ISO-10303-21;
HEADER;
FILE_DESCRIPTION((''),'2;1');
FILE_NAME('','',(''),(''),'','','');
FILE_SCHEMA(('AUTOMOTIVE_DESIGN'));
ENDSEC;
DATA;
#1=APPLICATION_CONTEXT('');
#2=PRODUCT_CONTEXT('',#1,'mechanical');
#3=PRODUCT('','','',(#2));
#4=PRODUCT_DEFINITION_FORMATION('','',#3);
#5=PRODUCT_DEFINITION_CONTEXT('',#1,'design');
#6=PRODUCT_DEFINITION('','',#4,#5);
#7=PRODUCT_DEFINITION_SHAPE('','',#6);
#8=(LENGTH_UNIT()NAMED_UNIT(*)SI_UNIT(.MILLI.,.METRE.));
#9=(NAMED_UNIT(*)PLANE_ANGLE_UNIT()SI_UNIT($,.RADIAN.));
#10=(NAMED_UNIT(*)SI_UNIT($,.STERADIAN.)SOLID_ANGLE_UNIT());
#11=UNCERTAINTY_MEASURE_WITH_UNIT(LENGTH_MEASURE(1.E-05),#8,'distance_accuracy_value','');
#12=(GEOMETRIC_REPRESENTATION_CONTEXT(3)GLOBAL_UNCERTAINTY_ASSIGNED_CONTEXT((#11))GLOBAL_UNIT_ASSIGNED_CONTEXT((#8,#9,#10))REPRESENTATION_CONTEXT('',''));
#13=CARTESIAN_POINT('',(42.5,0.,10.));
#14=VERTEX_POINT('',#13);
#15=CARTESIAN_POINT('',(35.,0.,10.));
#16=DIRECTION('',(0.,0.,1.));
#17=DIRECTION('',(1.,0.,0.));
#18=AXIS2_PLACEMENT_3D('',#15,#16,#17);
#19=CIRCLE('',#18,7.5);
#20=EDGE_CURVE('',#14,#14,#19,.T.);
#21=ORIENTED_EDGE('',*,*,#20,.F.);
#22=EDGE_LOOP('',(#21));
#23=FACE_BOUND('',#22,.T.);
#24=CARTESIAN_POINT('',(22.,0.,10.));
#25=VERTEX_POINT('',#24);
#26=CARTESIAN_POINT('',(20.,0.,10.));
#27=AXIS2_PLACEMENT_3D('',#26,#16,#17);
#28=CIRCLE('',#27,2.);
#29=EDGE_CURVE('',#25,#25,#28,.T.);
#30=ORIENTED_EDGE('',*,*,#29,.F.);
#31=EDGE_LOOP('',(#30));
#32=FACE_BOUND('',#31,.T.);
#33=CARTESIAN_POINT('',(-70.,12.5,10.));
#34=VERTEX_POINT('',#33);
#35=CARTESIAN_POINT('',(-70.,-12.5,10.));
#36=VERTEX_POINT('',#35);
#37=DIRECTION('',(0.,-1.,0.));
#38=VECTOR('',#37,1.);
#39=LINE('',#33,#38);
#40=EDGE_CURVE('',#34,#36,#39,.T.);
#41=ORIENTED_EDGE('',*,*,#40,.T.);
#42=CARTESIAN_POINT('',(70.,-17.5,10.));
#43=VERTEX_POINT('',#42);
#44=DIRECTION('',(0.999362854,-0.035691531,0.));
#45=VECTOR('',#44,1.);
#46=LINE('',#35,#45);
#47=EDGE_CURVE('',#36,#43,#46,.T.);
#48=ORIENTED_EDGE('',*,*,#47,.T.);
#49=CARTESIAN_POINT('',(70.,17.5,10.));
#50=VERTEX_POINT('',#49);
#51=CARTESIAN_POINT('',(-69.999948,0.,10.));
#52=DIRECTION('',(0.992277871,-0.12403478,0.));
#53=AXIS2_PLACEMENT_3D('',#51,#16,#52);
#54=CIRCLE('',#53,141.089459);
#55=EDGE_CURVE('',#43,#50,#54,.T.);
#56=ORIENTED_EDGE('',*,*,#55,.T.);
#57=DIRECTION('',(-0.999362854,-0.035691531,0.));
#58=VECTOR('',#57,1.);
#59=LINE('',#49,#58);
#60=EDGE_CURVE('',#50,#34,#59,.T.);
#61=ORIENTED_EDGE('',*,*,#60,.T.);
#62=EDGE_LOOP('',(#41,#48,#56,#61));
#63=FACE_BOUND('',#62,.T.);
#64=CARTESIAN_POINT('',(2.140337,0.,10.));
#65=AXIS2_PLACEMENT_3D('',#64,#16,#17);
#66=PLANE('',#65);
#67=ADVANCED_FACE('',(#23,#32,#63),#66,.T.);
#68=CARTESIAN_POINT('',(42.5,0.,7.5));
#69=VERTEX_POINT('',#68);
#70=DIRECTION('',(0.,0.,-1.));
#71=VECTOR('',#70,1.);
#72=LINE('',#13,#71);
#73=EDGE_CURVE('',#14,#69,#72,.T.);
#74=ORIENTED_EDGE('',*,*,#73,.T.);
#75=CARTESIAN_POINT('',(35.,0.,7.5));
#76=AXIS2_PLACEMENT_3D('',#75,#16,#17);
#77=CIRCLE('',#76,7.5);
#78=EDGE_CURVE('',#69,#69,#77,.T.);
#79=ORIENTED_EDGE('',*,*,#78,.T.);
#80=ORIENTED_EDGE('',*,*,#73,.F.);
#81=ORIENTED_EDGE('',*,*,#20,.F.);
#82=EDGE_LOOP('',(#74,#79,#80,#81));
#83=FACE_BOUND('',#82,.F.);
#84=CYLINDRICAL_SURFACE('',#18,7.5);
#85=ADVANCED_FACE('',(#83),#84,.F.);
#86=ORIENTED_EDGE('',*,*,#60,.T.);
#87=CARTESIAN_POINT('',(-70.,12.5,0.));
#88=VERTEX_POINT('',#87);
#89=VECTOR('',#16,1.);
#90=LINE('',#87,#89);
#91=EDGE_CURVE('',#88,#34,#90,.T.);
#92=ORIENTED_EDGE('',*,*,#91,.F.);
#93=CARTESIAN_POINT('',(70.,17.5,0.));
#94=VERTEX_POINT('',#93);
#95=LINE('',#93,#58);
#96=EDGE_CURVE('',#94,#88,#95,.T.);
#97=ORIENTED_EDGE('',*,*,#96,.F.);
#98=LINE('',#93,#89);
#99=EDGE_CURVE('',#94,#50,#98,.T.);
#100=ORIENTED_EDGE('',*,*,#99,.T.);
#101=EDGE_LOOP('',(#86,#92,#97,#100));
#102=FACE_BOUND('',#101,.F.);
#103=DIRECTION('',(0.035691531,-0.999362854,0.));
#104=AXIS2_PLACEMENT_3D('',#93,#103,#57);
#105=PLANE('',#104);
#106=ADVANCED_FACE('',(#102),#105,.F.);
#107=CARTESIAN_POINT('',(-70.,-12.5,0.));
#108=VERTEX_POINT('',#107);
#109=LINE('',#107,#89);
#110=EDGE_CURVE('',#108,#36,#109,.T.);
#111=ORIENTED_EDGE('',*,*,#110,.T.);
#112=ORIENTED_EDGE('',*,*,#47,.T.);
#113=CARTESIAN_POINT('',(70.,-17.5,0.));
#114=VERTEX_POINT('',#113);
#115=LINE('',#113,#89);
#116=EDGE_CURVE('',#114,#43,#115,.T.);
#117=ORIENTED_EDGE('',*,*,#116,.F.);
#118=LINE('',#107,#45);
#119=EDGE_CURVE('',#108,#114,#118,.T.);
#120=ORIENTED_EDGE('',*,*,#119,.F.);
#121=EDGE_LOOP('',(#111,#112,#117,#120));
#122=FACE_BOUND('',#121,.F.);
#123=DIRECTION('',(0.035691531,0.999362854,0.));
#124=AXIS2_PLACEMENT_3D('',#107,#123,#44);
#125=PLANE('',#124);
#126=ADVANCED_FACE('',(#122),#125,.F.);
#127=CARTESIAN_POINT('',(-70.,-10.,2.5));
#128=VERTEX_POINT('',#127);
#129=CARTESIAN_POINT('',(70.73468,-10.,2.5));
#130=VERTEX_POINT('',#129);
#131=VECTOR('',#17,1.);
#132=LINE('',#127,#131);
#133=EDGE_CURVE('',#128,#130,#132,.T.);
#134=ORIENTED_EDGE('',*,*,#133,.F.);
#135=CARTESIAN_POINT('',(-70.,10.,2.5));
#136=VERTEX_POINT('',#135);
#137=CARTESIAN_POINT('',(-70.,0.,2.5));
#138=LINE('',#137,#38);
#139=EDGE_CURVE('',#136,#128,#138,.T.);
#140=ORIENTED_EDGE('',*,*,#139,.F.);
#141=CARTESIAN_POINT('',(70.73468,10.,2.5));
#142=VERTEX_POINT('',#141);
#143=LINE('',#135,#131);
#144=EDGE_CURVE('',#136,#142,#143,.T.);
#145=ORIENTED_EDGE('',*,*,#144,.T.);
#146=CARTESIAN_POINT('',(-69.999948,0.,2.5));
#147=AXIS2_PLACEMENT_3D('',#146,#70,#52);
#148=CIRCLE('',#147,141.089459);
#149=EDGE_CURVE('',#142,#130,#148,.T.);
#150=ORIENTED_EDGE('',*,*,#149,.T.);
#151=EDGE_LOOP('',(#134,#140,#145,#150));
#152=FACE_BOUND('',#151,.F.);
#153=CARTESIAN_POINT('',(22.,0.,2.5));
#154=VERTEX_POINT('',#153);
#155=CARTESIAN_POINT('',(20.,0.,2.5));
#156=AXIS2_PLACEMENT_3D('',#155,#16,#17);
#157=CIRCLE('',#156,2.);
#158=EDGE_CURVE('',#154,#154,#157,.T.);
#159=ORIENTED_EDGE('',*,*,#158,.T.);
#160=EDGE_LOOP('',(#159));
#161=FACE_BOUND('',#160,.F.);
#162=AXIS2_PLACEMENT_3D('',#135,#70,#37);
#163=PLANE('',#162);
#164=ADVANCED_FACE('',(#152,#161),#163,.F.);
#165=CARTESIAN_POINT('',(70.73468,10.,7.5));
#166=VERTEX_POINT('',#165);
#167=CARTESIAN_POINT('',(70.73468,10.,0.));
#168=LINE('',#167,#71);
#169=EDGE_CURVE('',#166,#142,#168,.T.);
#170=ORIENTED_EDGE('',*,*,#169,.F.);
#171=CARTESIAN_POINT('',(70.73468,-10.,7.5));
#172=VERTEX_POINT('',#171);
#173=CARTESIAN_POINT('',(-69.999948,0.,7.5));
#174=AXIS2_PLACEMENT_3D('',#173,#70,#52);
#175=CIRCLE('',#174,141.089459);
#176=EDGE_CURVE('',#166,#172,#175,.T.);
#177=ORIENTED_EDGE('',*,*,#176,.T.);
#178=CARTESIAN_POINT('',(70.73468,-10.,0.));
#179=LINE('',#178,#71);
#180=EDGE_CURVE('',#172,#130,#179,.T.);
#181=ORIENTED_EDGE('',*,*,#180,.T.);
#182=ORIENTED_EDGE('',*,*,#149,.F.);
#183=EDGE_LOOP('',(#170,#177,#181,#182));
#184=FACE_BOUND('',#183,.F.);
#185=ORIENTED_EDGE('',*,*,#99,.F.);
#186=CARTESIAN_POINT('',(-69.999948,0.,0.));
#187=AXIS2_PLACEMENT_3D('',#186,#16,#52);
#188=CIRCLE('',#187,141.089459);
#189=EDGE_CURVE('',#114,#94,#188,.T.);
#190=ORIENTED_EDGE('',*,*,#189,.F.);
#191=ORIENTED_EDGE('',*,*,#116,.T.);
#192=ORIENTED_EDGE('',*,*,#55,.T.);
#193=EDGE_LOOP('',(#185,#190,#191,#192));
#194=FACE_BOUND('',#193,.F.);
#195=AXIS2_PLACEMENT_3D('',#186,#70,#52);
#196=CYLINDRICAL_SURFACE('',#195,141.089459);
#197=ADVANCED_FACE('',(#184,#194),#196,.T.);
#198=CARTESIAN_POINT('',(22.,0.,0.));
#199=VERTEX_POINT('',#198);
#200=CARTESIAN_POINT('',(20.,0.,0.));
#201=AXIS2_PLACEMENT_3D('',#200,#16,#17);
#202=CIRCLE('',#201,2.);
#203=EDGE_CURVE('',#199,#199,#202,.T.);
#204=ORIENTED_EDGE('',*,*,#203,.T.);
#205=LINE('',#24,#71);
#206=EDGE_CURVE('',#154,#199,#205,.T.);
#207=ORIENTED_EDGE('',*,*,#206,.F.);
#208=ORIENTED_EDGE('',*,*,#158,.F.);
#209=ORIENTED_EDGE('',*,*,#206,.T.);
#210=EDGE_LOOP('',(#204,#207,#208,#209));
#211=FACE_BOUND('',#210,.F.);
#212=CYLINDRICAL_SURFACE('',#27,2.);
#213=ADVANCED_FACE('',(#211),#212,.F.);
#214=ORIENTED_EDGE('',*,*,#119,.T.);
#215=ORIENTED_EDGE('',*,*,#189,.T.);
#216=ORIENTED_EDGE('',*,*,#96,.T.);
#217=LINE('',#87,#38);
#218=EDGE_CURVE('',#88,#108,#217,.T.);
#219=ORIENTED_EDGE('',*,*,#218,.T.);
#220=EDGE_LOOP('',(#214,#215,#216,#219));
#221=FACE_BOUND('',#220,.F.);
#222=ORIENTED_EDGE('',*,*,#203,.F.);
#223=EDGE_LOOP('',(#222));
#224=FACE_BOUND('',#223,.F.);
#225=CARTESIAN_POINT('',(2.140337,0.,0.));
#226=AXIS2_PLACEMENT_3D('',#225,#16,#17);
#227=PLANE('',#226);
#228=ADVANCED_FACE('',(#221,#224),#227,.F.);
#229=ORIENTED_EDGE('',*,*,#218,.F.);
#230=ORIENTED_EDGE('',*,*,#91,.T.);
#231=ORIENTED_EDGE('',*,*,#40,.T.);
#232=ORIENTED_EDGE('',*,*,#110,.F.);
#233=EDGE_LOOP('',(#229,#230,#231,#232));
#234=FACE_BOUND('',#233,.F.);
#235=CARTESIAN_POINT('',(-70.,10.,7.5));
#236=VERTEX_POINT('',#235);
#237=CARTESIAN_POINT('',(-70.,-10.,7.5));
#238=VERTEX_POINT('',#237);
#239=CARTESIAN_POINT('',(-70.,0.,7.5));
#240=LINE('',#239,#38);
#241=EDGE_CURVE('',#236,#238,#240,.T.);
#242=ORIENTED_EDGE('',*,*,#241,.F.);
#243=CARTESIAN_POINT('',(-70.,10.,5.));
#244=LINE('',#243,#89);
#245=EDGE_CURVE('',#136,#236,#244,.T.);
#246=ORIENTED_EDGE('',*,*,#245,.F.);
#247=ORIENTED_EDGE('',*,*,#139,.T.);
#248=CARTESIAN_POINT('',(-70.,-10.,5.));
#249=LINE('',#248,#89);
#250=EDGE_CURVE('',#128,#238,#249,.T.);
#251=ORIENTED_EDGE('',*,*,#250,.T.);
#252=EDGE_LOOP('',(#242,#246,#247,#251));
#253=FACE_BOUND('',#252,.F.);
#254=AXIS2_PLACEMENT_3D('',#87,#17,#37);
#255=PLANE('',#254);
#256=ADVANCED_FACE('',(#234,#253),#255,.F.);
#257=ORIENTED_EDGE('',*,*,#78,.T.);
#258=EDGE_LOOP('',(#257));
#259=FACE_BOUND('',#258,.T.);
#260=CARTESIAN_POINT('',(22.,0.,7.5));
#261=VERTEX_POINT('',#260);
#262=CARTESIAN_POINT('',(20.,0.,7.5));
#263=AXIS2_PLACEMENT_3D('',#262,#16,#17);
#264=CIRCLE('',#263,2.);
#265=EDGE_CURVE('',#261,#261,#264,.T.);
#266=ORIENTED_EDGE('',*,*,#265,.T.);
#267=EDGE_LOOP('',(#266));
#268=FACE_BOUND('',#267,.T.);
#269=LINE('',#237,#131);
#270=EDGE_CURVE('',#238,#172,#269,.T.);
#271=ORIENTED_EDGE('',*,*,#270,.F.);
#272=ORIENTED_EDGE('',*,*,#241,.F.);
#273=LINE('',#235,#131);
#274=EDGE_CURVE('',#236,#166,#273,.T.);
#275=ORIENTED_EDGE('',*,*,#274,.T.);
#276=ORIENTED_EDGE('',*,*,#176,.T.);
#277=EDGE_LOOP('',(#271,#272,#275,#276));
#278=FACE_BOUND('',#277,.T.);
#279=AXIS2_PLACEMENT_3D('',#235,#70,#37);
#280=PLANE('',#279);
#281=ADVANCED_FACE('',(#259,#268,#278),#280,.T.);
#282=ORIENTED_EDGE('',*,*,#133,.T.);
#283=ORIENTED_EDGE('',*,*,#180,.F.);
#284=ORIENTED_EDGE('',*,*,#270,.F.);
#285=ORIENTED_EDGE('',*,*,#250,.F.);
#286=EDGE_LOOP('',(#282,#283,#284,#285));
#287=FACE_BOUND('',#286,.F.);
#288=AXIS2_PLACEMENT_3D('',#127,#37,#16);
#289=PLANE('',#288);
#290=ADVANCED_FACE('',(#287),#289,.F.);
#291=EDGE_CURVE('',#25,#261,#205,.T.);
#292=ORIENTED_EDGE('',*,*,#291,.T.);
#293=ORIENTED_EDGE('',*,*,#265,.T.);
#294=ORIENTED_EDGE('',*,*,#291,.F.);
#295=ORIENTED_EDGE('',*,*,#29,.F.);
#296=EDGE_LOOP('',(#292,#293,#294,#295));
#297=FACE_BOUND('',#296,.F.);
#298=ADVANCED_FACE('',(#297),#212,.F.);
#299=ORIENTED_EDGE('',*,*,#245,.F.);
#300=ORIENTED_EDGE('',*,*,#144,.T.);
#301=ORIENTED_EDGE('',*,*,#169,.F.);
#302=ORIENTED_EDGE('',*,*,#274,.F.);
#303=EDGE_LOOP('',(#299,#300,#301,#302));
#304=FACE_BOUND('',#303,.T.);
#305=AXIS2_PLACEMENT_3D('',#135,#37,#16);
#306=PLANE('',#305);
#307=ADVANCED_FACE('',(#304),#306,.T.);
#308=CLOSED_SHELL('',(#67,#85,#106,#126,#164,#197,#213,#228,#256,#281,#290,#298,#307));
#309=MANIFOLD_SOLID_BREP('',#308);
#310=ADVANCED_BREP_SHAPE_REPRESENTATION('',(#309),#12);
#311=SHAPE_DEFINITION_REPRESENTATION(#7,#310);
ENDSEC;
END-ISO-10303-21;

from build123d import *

# Parameters (mm, degrees)
F0_R     = 7.5
F1_DEPTH = 10
F2_W     = 20
F2_H     = 5
F3_DEPTH = 200
F4_R     = 7.5
F5_DEPTH = 2.5
F6_R     = 2
F7_DEPTH = 10


with BuildPart() as f1:
    # F0 (on Top) → F1 (new body)
    with BuildSketch(Plane.XY):
        with BuildLine():
            Line((70, 17.5), (-70, 12.5))
            Line((-70, 12.5), (-70, -12.5))
            Line((-70, -12.5), (70, -17.5))
            ThreePointArc((70, -17.5), (71.089511, 0), (70, 17.5))
        make_face()
        with Locations((35, 0)):
            Circle(F0_R, mode=Mode.SUBTRACT)
        with Locations((35, 0)):
            Circle(F0_R)
    extrude(amount=F1_DEPTH)

    # F2 (on face) → F3 (cut)
    with BuildSketch(Plane(origin=(-70, 0, 0), x_dir=(0, -1, 0), z_dir=(-1, 0, 0))):
        with Locations((0, 5)):
            Rectangle(F2_W, F2_H)
    extrude(amount=-F3_DEPTH, mode=Mode.SUBTRACT)

    # F4 (on face) → F5 (cut)
    with BuildSketch(Plane.XY.offset(10)):
        with Locations((35, 0)):
            Circle(F4_R)
    extrude(amount=-F5_DEPTH, mode=Mode.SUBTRACT)

    # F6 (on face) → F7 (cut)
    with BuildSketch(Plane.XY.offset(10)):
        with Locations((20, 0)):
            Circle(F6_R)
    extrude(amount=-F7_DEPTH, mode=Mode.SUBTRACT)


solid = f1.part
